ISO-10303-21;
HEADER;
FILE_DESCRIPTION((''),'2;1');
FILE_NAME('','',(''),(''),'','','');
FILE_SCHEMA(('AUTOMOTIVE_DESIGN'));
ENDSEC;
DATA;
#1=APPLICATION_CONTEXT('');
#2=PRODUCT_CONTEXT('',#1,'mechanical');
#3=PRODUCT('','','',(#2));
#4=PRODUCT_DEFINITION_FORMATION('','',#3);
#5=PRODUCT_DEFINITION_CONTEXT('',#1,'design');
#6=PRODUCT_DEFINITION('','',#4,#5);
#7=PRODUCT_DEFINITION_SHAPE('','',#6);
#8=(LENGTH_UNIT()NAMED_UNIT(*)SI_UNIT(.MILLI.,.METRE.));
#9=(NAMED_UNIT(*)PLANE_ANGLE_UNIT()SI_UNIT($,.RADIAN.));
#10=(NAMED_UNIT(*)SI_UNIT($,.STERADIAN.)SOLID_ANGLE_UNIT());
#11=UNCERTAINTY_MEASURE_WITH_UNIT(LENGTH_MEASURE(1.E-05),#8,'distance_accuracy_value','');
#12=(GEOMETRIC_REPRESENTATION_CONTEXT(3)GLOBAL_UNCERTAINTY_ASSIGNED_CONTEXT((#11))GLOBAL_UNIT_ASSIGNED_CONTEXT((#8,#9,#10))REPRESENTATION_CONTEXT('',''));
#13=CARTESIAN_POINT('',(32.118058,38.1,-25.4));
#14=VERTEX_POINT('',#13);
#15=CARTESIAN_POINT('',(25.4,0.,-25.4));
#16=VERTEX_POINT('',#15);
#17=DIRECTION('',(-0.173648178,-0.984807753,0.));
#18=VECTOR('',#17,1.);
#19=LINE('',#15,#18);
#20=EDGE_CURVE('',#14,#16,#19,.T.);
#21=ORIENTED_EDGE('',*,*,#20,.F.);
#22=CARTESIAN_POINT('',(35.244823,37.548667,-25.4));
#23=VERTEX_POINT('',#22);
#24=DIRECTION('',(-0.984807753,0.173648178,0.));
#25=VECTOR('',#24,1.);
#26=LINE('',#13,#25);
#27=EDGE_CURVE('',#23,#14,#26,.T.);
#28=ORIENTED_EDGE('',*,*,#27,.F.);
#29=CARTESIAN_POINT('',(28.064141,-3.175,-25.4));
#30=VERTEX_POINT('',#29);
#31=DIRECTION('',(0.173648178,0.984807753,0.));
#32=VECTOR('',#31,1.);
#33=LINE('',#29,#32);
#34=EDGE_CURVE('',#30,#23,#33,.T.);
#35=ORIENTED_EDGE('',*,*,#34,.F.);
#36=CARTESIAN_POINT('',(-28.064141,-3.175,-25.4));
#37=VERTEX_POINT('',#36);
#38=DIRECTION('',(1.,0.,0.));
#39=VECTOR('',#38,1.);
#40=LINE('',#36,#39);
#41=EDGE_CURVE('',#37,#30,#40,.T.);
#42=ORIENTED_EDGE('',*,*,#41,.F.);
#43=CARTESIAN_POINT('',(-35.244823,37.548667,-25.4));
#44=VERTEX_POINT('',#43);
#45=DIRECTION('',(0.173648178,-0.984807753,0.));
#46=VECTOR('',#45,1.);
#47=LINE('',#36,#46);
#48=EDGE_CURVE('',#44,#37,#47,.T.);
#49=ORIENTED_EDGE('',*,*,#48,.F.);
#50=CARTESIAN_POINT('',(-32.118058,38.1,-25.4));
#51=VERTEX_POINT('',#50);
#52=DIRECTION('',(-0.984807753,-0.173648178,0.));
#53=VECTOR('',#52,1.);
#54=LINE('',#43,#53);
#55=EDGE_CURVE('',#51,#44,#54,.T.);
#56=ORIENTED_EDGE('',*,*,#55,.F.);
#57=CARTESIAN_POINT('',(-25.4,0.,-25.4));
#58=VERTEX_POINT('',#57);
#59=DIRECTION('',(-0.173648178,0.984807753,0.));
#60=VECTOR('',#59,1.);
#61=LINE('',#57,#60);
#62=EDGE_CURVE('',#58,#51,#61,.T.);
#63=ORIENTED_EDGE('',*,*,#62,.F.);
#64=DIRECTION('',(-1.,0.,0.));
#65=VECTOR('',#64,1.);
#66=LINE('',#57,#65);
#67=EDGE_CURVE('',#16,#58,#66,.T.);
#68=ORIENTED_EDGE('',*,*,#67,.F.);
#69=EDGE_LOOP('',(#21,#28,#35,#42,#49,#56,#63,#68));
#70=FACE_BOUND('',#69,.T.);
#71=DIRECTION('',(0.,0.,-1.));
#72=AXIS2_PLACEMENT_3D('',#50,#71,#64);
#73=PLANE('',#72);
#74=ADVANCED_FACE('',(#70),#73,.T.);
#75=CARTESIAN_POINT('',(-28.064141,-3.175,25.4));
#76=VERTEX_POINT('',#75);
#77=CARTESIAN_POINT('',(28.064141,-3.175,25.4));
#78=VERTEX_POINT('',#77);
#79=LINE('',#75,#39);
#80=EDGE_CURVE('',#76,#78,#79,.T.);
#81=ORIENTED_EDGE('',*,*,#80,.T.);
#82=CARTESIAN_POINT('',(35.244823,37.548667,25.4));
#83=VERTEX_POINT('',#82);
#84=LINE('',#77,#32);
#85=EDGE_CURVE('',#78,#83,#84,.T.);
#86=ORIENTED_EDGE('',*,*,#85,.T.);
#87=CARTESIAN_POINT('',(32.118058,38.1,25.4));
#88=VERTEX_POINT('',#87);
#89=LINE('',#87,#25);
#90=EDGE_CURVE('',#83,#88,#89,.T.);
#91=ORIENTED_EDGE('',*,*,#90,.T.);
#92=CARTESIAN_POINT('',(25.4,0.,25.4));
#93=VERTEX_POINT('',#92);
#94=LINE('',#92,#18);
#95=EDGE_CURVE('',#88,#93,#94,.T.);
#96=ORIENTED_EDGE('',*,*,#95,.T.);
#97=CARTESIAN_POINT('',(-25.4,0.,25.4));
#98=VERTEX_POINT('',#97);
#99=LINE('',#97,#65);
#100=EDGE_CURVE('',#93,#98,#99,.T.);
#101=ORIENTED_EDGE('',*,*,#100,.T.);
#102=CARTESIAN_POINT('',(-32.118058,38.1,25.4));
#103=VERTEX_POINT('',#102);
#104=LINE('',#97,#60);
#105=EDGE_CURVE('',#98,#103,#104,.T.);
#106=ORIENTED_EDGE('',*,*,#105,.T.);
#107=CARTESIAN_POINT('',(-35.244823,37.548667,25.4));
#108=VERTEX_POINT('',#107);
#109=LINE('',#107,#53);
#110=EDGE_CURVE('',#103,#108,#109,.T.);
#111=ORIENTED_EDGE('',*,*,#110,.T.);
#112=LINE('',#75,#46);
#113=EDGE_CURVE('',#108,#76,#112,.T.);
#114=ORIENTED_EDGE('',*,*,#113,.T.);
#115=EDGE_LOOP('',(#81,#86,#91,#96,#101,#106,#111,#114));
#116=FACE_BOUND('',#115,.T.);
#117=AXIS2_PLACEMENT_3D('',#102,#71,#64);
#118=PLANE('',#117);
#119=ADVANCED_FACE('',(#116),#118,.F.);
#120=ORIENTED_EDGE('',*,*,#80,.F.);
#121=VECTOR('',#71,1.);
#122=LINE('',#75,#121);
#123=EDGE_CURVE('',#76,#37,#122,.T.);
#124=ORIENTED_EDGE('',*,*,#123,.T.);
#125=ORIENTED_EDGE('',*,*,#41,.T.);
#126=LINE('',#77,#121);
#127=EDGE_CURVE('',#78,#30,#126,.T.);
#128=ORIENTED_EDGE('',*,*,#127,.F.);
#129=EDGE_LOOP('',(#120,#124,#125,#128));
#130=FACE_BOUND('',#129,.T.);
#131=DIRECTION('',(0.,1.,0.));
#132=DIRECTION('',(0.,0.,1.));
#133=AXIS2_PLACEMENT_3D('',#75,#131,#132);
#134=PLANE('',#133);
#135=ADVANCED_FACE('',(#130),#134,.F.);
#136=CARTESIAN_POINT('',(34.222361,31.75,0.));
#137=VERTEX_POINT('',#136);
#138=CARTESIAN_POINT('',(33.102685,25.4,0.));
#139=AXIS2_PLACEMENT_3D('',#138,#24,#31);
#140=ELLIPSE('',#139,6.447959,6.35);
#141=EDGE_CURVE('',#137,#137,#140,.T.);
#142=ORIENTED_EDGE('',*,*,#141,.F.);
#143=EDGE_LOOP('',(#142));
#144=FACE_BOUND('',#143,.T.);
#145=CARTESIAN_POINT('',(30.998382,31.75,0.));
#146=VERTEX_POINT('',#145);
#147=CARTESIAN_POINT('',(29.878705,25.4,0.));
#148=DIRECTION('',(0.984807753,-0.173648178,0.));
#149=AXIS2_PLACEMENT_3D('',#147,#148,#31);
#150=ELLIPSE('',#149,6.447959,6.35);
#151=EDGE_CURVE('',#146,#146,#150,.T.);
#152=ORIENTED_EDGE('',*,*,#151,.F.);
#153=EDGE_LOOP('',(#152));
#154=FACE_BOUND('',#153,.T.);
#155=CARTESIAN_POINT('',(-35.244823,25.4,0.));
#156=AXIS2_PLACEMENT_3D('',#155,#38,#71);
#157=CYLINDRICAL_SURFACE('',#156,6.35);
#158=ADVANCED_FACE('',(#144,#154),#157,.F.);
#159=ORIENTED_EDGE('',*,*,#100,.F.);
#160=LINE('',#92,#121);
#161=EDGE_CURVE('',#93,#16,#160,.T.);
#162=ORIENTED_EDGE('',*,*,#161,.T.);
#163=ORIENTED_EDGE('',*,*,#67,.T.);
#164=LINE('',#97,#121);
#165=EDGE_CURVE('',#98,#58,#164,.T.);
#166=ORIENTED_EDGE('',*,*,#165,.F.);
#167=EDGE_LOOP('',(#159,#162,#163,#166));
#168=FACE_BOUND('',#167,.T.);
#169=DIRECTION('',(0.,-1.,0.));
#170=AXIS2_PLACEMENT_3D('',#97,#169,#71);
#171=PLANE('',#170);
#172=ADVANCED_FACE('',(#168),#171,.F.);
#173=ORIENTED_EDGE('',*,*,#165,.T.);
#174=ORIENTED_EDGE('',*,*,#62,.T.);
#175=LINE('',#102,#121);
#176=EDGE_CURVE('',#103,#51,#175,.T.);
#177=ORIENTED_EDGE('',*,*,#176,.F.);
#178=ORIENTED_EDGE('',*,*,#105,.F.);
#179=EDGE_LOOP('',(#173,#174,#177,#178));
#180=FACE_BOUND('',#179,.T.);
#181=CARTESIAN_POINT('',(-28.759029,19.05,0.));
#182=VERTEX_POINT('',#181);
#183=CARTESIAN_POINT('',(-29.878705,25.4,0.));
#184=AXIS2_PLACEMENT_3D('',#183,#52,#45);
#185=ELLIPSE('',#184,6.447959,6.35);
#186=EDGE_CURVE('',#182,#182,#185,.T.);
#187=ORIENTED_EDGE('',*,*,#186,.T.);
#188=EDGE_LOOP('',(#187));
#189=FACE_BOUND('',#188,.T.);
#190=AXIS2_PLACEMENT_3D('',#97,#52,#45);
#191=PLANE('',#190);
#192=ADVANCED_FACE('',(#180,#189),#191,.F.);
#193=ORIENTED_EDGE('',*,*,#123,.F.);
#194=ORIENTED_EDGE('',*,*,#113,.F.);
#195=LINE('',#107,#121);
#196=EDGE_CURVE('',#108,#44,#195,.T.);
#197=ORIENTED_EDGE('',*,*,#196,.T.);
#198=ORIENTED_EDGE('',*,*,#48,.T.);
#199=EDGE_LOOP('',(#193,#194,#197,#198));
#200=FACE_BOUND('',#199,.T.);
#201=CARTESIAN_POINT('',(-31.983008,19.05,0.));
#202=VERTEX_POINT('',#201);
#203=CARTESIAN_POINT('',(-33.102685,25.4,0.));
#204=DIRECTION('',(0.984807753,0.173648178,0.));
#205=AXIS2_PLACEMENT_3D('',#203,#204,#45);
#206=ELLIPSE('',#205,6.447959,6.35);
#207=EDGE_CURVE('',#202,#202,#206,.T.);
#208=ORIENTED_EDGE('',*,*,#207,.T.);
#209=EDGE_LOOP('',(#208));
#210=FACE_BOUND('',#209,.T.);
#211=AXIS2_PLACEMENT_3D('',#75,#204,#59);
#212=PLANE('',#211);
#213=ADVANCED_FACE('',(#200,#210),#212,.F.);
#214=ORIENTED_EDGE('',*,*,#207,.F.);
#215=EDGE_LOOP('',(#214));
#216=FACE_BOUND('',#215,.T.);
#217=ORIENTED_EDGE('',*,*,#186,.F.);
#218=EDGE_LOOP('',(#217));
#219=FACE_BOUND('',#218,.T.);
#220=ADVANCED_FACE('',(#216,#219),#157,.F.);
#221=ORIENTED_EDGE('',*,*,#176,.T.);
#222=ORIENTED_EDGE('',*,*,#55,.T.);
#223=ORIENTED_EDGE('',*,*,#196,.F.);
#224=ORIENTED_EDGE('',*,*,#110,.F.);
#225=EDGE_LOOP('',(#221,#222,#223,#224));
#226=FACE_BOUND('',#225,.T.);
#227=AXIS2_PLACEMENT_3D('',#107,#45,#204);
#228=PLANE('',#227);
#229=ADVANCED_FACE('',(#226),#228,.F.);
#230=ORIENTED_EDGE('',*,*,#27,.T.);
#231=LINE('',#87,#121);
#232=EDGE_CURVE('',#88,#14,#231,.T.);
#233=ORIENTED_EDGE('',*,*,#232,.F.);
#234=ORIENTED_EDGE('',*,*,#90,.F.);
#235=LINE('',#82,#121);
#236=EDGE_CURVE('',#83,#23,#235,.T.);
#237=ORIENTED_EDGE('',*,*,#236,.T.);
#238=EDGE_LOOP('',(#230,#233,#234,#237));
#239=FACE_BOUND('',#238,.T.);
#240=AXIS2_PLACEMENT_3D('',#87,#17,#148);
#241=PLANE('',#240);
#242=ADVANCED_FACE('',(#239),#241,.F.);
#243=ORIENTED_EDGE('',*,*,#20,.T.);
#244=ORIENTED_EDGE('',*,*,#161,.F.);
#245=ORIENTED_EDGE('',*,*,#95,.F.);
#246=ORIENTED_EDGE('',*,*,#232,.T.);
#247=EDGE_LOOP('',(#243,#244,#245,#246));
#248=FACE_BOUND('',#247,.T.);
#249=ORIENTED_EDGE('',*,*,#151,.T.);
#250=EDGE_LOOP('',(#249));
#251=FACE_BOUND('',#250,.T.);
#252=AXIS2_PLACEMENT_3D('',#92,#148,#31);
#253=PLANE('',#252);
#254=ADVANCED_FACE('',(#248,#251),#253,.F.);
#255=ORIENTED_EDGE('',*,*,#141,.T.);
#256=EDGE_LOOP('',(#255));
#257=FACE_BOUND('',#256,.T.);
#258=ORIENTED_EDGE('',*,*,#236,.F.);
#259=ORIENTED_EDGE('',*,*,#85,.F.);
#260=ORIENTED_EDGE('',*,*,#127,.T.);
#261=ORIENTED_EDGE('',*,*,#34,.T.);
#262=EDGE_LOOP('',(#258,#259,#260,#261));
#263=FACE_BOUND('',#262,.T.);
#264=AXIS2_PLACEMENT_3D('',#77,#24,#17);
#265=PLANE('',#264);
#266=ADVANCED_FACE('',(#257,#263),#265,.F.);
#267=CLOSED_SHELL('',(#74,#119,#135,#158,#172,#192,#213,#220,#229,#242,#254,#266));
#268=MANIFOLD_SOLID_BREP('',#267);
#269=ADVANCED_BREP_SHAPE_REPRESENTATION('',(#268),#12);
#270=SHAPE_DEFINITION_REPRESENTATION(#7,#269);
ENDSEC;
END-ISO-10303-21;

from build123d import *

# Parameters (mm, degrees)
BOSS_EXTRUDE1_DEPTH     = 25.4
CUT_EXTRUDE1_DEPTH      = 58.783799795
CUT_EXTRUDE1_DEPTH_BACK = 58.783799795
SKETCH2_R               = 6.35


with BuildPart() as part:
    # Sketch1 → Boss-Extrude1 (new, symmetric)
    with BuildSketch(Plane.XY):
        Polygon((-25.4, 0), (25.4, 0), (32.118057965, 38.1), (35.244822581, 37.548667036), (28.064141329, -3.175), (-28.064141329, -3.175), (-35.244822581, 37.548667036), (-32.118057965, 38.1), align=None)
    extrude(amount=BOSS_EXTRUDE1_DEPTH, both=True)

    # Sketch2 → Cut-Extrude1 (cut, two sides: drawn at the far end of the back side and taken through both)
    with BuildSketch(Plane(origin=(0, 0, 0), x_dir=(0, 0, -1), z_dir=(1, 0, 0)).offset(-CUT_EXTRUDE1_DEPTH_BACK)):
        with Locations(Location((0, 25.4, 0), (0, 0, 90))):
            Circle(SKETCH2_R)
    extrude(amount=CUT_EXTRUDE1_DEPTH + CUT_EXTRUDE1_DEPTH_BACK, mode=Mode.SUBTRACT)


solid = part.part
